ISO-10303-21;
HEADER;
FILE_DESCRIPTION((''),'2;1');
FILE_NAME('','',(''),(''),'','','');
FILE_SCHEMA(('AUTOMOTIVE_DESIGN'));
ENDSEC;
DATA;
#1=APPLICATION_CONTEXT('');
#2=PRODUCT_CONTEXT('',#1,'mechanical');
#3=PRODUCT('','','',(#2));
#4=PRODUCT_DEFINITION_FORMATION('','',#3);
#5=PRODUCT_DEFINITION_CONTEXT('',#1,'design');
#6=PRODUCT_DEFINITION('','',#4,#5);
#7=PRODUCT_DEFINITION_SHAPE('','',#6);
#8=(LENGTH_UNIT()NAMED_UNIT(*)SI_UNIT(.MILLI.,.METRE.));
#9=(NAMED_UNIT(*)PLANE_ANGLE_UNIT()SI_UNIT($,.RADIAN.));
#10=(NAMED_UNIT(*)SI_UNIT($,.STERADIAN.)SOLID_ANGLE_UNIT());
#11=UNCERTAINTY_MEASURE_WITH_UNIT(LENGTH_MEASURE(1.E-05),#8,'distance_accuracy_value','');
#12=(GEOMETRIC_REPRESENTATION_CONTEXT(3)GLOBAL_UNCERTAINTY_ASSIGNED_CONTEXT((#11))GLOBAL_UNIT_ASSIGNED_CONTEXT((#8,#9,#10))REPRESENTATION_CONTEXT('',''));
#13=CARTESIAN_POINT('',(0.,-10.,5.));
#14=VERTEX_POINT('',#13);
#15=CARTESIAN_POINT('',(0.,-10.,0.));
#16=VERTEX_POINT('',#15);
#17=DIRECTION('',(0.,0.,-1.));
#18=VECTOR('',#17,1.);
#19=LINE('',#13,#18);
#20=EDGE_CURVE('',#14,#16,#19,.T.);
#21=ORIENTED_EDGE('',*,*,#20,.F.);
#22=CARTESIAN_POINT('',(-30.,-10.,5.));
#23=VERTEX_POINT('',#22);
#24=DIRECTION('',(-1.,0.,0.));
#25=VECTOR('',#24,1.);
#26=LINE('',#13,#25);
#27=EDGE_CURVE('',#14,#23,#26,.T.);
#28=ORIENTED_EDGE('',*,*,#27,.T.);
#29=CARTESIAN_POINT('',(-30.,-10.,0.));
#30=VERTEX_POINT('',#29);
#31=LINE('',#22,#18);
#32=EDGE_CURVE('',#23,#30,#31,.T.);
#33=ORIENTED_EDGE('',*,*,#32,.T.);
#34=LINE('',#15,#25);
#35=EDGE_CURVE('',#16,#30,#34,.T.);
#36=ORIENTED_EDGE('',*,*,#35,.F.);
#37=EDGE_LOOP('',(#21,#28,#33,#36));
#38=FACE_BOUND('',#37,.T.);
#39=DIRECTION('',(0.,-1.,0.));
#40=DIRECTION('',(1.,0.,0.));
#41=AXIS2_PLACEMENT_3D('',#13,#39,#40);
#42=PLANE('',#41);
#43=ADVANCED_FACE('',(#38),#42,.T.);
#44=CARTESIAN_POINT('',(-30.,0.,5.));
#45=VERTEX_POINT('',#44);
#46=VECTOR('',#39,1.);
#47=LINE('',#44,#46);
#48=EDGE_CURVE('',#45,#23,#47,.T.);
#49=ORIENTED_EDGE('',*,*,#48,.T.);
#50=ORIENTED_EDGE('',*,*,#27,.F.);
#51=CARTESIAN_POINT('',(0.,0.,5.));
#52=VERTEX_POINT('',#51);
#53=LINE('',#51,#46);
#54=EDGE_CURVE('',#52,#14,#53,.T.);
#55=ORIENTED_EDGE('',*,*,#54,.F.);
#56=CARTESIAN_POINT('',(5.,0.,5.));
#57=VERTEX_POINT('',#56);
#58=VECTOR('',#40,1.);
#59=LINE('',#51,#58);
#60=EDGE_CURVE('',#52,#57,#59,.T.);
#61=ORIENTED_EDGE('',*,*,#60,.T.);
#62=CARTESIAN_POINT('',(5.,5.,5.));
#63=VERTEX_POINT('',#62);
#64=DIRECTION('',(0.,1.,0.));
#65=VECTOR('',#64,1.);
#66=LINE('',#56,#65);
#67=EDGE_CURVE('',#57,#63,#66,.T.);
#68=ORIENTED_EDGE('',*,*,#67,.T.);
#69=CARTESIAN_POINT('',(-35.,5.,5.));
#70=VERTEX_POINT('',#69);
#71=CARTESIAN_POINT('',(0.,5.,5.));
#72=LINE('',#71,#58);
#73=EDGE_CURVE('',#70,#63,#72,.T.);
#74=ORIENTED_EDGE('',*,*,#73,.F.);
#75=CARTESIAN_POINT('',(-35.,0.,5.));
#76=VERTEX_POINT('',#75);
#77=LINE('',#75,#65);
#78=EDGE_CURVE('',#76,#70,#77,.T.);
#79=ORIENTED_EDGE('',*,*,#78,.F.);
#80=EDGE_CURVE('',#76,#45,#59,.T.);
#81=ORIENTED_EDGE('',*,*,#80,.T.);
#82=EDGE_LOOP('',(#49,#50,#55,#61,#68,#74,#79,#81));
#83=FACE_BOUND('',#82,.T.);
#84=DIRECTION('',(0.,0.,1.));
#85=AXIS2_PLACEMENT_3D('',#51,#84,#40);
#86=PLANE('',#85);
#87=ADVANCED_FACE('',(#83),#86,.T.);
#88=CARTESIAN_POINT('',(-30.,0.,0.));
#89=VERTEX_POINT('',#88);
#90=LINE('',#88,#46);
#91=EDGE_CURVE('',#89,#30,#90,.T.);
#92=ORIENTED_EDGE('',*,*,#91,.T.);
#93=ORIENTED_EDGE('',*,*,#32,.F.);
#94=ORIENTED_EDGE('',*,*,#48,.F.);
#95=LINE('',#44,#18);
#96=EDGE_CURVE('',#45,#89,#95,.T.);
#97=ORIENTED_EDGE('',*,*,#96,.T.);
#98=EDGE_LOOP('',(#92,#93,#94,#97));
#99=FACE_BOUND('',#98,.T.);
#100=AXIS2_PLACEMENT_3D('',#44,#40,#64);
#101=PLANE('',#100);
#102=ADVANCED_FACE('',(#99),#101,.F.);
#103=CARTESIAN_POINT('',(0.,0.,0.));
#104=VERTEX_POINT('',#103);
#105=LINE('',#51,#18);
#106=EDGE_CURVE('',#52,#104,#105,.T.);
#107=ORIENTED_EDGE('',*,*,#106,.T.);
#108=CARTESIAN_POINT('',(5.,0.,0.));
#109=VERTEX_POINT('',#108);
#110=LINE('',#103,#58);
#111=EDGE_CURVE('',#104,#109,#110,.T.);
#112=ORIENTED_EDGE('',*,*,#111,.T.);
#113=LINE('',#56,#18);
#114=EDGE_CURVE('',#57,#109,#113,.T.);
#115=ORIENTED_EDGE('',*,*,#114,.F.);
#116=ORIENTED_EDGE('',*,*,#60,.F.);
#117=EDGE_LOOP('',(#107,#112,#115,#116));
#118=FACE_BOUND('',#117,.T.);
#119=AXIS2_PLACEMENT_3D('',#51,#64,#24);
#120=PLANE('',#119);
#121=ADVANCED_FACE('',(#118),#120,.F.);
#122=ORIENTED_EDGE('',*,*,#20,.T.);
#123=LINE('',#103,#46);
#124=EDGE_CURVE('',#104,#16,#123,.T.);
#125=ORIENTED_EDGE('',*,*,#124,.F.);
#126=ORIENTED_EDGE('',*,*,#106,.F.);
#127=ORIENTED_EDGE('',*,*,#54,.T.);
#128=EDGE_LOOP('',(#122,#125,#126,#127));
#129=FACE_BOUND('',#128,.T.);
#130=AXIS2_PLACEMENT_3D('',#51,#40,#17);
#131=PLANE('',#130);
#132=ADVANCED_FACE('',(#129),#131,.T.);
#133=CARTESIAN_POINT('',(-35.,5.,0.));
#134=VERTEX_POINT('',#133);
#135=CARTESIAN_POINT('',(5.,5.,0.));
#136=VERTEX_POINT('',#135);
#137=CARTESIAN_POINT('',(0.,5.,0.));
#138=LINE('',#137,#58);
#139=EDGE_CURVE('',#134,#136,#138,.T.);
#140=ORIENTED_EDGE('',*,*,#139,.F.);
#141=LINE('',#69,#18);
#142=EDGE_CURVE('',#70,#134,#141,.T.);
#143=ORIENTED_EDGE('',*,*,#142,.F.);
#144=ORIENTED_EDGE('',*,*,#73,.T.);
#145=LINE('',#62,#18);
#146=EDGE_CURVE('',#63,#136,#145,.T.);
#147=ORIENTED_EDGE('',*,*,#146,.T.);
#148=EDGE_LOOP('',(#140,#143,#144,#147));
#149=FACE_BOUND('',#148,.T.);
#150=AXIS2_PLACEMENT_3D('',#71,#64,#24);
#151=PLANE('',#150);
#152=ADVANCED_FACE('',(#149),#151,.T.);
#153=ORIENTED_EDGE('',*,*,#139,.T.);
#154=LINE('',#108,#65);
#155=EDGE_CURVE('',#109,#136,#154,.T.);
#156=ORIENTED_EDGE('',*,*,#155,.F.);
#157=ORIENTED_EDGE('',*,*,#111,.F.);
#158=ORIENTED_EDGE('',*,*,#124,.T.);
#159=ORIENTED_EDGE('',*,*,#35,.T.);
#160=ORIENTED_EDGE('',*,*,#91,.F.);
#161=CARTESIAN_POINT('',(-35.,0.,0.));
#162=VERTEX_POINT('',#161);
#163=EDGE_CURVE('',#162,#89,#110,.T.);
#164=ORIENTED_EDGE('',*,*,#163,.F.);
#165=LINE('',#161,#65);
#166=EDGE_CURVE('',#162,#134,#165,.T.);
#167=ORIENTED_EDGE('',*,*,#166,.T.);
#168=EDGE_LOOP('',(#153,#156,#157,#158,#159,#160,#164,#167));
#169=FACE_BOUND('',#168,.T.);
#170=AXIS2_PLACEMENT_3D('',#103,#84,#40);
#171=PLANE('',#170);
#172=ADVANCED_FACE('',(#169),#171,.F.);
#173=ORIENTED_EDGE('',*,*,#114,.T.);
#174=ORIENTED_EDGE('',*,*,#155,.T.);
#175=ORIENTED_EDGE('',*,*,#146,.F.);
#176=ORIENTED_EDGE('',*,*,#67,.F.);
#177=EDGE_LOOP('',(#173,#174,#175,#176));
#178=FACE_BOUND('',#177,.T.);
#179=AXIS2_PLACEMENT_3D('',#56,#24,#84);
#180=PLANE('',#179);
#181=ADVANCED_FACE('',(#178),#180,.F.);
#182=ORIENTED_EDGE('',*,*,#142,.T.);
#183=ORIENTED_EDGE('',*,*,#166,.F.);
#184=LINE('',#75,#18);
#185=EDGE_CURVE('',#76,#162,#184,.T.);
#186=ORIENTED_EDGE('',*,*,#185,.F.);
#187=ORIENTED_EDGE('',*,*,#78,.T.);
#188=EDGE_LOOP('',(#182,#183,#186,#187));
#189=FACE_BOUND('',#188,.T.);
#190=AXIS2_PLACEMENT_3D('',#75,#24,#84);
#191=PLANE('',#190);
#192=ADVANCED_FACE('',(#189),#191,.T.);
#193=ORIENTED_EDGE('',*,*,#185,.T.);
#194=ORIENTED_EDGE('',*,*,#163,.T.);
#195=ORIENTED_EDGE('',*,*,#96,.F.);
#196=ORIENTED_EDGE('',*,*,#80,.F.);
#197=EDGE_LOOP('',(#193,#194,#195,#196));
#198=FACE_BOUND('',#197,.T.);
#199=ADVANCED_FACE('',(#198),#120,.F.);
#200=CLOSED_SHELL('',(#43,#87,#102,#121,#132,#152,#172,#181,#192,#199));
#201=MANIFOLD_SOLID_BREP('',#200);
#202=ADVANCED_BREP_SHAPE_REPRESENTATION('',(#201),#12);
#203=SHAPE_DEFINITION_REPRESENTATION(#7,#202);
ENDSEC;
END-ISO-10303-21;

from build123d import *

# Parameters (mm, degrees)
SKETCH1_W           = 30
SKETCH1_H           = 10
BOSS_EXTRUDE1_DEPTH = 5


with BuildPart() as part:
    # Sketch1 → Boss-Extrude1 (new body)
    with BuildSketch(Plane.XY):
        with Locations((-15, -5)):
            Rectangle(SKETCH1_W, SKETCH1_H)
        Polygon((-30, 0), (0, 0), (5, 0), (5, 5), (-35, 5), (-35, 0), align=None)
    extrude(amount=BOSS_EXTRUDE1_DEPTH)


solid = part.part
